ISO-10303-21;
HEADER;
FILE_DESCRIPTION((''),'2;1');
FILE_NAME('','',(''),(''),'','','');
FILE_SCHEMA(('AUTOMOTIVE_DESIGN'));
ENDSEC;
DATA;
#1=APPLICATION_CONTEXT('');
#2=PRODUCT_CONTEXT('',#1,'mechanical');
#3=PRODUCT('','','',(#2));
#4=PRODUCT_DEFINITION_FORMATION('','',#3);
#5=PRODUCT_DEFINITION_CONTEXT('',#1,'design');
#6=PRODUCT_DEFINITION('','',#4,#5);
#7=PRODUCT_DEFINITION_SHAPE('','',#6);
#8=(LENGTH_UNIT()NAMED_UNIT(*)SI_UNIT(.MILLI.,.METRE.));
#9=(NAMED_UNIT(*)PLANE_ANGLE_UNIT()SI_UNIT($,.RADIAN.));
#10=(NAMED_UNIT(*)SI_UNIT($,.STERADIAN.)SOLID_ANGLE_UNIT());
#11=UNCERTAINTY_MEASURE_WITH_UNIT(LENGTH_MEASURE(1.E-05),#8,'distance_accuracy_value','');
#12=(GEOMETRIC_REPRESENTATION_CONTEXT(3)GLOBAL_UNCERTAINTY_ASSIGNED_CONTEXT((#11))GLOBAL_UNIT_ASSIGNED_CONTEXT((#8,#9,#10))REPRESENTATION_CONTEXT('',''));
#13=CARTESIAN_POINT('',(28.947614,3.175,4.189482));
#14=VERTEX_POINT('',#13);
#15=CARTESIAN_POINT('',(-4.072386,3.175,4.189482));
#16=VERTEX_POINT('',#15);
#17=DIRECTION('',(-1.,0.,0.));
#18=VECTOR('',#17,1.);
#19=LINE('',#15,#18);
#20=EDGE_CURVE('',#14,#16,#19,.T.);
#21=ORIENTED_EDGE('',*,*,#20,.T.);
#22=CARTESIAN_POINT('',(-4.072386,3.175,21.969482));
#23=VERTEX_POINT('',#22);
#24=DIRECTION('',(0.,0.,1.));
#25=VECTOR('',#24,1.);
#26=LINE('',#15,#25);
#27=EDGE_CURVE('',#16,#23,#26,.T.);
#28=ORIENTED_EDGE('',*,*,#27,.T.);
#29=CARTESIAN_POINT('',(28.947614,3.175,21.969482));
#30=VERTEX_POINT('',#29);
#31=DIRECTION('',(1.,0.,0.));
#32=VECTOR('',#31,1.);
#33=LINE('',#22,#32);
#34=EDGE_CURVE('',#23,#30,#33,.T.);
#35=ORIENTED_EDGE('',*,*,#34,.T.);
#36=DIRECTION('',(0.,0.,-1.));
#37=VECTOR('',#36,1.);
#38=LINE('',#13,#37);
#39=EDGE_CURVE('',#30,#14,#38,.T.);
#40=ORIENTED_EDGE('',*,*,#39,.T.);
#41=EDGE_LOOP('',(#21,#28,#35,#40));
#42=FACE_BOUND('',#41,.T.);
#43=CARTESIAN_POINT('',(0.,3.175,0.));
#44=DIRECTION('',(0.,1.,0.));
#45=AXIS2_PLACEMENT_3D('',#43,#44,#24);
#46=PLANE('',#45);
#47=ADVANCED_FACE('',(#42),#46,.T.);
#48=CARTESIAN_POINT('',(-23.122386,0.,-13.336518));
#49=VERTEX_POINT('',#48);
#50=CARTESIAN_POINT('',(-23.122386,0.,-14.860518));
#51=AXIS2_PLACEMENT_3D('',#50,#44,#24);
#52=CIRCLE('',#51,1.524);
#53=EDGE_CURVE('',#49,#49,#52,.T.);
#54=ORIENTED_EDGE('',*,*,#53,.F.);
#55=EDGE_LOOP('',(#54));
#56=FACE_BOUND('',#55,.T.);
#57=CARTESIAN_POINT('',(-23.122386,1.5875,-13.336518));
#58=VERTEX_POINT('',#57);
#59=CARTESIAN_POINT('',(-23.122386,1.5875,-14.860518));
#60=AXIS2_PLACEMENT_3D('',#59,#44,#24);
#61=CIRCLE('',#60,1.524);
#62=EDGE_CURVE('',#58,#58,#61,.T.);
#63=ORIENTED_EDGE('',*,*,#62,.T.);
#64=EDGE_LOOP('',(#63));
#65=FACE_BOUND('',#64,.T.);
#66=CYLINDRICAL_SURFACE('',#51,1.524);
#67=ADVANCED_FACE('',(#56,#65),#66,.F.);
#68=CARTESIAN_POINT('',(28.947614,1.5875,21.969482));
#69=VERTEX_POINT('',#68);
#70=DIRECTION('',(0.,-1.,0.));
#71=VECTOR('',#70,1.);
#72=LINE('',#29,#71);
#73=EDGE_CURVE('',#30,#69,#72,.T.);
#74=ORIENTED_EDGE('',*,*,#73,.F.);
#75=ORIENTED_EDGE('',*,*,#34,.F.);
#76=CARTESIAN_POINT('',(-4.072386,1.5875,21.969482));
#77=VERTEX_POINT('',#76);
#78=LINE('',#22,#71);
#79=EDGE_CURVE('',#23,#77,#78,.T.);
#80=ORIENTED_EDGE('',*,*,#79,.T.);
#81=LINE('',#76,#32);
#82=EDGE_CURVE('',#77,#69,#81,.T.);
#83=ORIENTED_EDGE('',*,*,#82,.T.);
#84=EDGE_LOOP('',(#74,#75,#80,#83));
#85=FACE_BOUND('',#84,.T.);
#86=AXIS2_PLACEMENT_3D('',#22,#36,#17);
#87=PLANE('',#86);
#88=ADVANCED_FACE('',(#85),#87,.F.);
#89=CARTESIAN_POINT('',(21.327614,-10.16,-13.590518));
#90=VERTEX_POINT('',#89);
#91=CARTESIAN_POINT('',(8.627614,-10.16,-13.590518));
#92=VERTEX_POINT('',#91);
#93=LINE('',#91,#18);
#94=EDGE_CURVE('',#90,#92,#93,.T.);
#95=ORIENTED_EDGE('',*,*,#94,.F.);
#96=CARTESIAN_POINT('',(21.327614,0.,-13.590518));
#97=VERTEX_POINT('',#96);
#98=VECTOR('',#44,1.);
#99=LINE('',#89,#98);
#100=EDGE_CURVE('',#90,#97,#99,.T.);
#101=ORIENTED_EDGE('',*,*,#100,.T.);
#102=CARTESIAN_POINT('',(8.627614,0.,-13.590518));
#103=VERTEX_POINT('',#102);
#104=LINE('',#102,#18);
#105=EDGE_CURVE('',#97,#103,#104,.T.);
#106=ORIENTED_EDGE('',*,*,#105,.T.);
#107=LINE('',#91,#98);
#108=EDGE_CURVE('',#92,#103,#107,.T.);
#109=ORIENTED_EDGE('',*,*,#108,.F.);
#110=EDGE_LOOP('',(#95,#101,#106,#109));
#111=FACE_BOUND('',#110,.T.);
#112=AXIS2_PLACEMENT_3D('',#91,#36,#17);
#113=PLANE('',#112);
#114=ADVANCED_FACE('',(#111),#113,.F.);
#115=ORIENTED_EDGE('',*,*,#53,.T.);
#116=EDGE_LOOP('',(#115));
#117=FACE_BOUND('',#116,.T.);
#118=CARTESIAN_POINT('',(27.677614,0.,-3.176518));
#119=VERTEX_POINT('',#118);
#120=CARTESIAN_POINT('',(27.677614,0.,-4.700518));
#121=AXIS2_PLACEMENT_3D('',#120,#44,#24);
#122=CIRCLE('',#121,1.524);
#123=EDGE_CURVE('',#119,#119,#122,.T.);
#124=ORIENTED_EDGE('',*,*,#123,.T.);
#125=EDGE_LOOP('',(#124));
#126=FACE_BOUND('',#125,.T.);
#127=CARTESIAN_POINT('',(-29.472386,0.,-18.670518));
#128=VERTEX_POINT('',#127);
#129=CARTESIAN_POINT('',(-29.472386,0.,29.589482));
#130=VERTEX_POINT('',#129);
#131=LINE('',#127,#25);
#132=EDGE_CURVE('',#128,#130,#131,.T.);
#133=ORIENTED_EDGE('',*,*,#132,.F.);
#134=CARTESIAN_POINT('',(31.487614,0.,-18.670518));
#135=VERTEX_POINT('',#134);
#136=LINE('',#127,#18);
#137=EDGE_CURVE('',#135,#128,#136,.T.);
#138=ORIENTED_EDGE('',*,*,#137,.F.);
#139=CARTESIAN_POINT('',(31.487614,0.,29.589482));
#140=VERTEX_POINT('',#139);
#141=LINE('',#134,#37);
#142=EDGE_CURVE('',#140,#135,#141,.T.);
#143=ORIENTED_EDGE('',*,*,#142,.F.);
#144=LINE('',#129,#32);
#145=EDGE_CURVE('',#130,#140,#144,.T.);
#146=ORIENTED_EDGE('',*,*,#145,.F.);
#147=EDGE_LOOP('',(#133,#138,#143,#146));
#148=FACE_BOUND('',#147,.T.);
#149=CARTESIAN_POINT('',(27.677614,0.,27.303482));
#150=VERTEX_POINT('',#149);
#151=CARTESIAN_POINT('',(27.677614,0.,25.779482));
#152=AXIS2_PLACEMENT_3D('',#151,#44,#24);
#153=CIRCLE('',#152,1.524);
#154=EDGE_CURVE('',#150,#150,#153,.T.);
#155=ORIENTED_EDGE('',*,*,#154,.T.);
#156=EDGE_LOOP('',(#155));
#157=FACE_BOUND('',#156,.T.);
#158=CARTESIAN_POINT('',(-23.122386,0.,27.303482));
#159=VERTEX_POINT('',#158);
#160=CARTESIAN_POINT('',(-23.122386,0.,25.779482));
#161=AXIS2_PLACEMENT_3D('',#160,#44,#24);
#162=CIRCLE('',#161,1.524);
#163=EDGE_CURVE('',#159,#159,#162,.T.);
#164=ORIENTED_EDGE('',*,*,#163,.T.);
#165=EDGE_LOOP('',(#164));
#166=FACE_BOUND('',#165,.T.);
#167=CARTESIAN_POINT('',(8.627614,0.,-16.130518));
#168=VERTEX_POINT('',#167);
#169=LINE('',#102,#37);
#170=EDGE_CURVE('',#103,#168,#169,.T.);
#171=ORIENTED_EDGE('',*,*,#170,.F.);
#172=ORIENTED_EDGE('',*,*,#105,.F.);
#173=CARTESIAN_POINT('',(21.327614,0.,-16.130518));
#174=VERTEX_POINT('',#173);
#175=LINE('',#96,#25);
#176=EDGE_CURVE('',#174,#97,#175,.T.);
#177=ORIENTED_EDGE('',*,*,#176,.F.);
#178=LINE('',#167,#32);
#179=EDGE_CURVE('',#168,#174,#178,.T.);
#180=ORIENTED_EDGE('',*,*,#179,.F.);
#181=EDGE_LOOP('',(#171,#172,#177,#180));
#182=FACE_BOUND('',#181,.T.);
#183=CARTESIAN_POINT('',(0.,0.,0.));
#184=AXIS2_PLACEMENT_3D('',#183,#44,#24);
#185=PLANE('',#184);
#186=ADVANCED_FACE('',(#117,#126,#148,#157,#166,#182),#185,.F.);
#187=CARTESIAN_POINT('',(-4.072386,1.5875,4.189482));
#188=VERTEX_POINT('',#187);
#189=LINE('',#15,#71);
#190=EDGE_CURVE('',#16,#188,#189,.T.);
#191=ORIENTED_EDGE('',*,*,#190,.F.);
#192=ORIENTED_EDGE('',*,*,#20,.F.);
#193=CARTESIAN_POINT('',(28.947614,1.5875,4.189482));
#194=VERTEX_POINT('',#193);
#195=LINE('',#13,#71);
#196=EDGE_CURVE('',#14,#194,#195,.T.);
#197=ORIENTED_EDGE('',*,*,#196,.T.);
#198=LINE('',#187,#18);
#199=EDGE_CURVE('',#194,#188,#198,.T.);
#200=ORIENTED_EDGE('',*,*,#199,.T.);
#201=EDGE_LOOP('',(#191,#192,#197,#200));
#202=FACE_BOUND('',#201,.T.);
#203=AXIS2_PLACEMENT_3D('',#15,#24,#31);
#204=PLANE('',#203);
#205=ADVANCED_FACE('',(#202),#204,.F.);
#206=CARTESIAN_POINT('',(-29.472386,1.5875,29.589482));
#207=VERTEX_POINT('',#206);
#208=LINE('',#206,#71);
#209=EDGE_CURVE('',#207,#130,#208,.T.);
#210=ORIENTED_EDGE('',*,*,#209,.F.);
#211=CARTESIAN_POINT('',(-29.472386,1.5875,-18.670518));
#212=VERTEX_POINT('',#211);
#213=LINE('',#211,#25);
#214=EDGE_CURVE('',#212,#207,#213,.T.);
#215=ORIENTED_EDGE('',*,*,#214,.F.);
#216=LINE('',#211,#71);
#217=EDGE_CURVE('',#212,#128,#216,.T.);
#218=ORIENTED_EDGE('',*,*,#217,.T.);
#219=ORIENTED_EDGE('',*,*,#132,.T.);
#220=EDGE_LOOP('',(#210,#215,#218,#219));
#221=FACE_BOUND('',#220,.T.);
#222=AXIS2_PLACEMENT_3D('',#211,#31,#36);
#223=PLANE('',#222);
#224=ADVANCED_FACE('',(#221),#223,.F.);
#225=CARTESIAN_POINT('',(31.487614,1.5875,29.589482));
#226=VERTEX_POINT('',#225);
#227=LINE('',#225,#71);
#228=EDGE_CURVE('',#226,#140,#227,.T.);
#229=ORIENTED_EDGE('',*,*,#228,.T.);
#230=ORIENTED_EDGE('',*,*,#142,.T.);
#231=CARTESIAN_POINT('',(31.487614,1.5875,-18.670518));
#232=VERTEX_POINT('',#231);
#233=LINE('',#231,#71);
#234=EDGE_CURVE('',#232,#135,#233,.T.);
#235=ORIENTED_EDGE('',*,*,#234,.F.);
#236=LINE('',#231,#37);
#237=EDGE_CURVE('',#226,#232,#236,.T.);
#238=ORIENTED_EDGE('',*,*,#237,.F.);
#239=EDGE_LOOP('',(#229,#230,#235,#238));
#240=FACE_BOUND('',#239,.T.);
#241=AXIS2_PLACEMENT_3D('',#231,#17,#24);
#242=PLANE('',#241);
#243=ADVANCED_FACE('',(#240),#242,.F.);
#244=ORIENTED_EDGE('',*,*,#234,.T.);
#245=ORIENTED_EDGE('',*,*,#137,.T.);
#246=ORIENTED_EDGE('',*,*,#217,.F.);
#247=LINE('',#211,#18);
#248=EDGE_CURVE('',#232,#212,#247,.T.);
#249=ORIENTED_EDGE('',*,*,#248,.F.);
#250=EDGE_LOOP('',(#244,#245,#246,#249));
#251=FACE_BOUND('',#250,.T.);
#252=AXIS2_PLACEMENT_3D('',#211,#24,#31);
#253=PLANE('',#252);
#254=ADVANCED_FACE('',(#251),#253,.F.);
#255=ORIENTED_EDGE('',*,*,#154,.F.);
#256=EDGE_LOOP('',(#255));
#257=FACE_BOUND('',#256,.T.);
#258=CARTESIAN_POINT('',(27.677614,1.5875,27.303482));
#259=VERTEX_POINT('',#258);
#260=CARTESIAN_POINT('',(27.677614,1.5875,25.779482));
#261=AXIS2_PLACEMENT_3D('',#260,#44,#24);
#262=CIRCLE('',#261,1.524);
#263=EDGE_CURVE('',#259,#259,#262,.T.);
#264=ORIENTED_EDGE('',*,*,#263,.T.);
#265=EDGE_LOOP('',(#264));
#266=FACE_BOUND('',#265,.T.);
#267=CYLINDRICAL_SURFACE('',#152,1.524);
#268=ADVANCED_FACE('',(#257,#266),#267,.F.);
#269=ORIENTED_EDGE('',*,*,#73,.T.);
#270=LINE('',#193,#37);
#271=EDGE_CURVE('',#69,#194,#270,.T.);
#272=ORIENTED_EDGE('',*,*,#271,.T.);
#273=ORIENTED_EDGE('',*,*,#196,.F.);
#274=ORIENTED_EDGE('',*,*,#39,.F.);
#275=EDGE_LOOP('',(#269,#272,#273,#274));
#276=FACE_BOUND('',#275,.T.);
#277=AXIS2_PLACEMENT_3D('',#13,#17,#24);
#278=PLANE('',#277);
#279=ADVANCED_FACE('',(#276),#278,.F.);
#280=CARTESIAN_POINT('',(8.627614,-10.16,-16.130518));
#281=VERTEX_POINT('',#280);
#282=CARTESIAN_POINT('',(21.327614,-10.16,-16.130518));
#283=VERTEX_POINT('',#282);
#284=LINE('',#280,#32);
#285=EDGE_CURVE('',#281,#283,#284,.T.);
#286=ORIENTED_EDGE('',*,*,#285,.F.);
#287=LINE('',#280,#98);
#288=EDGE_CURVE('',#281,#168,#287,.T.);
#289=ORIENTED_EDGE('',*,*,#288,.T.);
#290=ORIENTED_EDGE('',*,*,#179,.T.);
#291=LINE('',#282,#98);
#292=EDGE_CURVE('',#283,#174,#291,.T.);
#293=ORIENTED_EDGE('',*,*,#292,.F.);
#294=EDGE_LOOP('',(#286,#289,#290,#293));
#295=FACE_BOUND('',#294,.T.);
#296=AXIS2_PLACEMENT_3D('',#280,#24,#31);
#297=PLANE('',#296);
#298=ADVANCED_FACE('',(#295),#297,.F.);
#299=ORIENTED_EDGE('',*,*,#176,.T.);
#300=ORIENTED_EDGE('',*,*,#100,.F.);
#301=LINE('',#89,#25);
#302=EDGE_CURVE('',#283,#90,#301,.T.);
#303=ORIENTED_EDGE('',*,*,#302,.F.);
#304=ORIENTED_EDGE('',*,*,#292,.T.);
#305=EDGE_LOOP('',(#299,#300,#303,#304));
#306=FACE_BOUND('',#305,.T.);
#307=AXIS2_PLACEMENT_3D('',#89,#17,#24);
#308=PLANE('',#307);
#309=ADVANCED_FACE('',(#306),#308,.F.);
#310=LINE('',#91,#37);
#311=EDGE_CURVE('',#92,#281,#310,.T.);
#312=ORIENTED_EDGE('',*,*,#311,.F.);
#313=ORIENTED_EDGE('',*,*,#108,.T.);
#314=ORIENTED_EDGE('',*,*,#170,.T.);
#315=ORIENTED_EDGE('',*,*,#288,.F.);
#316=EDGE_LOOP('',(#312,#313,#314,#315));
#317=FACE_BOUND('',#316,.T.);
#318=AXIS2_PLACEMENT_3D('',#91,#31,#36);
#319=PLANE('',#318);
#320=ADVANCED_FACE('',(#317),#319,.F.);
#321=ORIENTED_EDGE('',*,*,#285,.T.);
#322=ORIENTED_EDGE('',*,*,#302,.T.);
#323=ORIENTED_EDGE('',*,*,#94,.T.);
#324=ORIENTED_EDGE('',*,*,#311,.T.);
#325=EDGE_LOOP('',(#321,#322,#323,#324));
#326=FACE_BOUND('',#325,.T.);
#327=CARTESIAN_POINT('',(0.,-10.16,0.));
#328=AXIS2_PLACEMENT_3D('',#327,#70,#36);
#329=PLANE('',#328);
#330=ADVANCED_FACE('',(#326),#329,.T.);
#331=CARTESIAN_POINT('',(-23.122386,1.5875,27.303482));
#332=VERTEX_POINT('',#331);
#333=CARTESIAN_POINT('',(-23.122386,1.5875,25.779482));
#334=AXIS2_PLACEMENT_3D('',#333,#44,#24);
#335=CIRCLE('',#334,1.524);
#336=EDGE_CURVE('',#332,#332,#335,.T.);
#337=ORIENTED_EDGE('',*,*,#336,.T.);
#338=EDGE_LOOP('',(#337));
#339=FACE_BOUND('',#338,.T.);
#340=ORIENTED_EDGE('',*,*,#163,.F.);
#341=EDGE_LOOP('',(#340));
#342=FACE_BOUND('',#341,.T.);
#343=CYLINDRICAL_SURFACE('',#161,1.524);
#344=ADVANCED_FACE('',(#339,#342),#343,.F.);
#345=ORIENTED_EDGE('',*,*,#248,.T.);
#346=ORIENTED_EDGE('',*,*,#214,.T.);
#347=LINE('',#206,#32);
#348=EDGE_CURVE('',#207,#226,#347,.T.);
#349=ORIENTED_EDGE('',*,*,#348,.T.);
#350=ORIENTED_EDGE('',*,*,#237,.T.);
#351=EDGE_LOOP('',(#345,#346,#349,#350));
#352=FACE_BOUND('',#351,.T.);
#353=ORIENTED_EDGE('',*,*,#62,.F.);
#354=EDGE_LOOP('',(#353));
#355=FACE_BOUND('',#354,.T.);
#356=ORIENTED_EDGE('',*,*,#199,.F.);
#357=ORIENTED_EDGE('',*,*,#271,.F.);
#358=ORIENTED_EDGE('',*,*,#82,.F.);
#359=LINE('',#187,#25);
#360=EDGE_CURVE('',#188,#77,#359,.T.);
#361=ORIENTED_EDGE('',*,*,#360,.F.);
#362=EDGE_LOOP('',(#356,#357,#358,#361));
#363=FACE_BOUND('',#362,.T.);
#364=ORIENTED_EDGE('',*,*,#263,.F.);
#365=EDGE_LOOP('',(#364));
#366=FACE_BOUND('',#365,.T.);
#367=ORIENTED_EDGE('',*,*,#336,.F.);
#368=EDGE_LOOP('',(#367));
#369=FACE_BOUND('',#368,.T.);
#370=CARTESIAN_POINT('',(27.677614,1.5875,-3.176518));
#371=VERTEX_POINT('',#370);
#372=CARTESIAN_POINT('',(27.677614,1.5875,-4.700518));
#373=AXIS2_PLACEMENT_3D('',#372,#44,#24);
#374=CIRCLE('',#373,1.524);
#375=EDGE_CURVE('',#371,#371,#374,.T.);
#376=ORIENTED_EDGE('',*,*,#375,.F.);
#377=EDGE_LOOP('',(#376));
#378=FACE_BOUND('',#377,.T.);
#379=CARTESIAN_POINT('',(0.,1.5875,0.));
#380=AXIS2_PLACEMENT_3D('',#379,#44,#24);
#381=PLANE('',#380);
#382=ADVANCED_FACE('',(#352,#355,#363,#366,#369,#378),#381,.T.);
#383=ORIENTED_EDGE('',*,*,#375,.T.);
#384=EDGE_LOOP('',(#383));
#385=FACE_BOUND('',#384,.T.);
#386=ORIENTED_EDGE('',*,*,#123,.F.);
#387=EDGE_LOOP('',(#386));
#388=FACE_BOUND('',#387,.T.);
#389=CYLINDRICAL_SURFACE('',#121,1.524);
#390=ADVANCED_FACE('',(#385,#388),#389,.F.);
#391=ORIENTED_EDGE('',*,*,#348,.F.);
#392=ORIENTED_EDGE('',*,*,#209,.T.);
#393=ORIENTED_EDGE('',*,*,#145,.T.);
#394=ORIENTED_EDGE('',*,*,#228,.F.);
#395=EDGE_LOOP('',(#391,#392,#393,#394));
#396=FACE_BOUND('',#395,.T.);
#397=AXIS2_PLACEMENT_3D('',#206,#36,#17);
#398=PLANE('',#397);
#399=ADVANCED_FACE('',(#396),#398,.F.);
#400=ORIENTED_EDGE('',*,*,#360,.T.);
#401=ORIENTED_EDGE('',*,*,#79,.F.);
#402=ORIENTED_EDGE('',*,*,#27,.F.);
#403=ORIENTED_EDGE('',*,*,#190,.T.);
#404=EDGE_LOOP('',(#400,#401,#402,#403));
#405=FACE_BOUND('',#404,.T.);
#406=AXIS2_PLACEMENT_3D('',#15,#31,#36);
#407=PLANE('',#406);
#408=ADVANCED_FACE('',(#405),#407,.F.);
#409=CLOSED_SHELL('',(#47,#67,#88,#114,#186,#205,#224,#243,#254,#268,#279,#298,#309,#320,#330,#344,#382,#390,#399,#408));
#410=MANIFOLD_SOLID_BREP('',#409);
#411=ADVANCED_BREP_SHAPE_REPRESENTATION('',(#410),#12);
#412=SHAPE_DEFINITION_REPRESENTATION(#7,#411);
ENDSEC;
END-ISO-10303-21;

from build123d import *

# Parameters (mm, degrees)
SKETCH1_W           = 60.96
SKETCH1_H           = 48.26
BOSS_EXTRUDE1_DEPTH = 1.5875
SKETCH2_W           = 33.02
SKETCH2_H           = 17.78
BOSS_EXTRUDE2_DEPTH = 1.5875
SKETCH3_R           = 1.524
CUT_EXTRUDE1_DEPTH  = 2.5875
SKETCH4_W           = 12.7
SKETCH4_H           = 2.54
BOSS_EXTRUDE3_DEPTH = 10.16


with BuildPart() as part:
    # Sketch1 → Boss-Extrude1 (new body)
    with BuildSketch(Plane(origin=(0, 0, 0), x_dir=(1, 0, 0), z_dir=(0, 1, 0))):
        with Locations((1.00761446, -5.459482072)):
            Rectangle(SKETCH1_W, SKETCH1_H)
    extrude(amount=BOSS_EXTRUDE1_DEPTH)

    # Sketch2 → Boss-Extrude2 (add)
    with BuildSketch(Plane(origin=(0, 1.5875, 0), x_dir=(1, 0, 0), z_dir=(0, 1, 0))):
        with Locations((12.43761446, -13.079482072)):
            Rectangle(SKETCH2_W, SKETCH2_H)
    extrude(amount=BOSS_EXTRUDE2_DEPTH)

    # Sketch3 → Cut-Extrude1 (cut, through all)
    with BuildSketch(Plane(origin=(0, 1.5875, 0), x_dir=(1, 0, 0), z_dir=(0, 1, 0))):
        with Locations((-23.12238554, 14.860517928)):
            Circle(SKETCH3_R)
        with Locations((27.67761446, 4.700517928)):
            Circle(SKETCH3_R)
        with Locations((-23.12238554, -25.779482072)):
            Circle(SKETCH3_R)
        with Locations((27.67761446, -25.779482072)):
            Circle(SKETCH3_R)
    extrude(amount=-CUT_EXTRUDE1_DEPTH, mode=Mode.SUBTRACT)

    # Sketch4 → Boss-Extrude3 (add)
    with BuildSketch(Plane(origin=(0, 0, 0), x_dir=(-1, 0, 0), z_dir=(0, -1, 0))):
        with Locations((-14.97761446, 14.860517928)):
            Rectangle(SKETCH4_W, SKETCH4_H)
    extrude(amount=BOSS_EXTRUDE3_DEPTH)


solid = part.part
